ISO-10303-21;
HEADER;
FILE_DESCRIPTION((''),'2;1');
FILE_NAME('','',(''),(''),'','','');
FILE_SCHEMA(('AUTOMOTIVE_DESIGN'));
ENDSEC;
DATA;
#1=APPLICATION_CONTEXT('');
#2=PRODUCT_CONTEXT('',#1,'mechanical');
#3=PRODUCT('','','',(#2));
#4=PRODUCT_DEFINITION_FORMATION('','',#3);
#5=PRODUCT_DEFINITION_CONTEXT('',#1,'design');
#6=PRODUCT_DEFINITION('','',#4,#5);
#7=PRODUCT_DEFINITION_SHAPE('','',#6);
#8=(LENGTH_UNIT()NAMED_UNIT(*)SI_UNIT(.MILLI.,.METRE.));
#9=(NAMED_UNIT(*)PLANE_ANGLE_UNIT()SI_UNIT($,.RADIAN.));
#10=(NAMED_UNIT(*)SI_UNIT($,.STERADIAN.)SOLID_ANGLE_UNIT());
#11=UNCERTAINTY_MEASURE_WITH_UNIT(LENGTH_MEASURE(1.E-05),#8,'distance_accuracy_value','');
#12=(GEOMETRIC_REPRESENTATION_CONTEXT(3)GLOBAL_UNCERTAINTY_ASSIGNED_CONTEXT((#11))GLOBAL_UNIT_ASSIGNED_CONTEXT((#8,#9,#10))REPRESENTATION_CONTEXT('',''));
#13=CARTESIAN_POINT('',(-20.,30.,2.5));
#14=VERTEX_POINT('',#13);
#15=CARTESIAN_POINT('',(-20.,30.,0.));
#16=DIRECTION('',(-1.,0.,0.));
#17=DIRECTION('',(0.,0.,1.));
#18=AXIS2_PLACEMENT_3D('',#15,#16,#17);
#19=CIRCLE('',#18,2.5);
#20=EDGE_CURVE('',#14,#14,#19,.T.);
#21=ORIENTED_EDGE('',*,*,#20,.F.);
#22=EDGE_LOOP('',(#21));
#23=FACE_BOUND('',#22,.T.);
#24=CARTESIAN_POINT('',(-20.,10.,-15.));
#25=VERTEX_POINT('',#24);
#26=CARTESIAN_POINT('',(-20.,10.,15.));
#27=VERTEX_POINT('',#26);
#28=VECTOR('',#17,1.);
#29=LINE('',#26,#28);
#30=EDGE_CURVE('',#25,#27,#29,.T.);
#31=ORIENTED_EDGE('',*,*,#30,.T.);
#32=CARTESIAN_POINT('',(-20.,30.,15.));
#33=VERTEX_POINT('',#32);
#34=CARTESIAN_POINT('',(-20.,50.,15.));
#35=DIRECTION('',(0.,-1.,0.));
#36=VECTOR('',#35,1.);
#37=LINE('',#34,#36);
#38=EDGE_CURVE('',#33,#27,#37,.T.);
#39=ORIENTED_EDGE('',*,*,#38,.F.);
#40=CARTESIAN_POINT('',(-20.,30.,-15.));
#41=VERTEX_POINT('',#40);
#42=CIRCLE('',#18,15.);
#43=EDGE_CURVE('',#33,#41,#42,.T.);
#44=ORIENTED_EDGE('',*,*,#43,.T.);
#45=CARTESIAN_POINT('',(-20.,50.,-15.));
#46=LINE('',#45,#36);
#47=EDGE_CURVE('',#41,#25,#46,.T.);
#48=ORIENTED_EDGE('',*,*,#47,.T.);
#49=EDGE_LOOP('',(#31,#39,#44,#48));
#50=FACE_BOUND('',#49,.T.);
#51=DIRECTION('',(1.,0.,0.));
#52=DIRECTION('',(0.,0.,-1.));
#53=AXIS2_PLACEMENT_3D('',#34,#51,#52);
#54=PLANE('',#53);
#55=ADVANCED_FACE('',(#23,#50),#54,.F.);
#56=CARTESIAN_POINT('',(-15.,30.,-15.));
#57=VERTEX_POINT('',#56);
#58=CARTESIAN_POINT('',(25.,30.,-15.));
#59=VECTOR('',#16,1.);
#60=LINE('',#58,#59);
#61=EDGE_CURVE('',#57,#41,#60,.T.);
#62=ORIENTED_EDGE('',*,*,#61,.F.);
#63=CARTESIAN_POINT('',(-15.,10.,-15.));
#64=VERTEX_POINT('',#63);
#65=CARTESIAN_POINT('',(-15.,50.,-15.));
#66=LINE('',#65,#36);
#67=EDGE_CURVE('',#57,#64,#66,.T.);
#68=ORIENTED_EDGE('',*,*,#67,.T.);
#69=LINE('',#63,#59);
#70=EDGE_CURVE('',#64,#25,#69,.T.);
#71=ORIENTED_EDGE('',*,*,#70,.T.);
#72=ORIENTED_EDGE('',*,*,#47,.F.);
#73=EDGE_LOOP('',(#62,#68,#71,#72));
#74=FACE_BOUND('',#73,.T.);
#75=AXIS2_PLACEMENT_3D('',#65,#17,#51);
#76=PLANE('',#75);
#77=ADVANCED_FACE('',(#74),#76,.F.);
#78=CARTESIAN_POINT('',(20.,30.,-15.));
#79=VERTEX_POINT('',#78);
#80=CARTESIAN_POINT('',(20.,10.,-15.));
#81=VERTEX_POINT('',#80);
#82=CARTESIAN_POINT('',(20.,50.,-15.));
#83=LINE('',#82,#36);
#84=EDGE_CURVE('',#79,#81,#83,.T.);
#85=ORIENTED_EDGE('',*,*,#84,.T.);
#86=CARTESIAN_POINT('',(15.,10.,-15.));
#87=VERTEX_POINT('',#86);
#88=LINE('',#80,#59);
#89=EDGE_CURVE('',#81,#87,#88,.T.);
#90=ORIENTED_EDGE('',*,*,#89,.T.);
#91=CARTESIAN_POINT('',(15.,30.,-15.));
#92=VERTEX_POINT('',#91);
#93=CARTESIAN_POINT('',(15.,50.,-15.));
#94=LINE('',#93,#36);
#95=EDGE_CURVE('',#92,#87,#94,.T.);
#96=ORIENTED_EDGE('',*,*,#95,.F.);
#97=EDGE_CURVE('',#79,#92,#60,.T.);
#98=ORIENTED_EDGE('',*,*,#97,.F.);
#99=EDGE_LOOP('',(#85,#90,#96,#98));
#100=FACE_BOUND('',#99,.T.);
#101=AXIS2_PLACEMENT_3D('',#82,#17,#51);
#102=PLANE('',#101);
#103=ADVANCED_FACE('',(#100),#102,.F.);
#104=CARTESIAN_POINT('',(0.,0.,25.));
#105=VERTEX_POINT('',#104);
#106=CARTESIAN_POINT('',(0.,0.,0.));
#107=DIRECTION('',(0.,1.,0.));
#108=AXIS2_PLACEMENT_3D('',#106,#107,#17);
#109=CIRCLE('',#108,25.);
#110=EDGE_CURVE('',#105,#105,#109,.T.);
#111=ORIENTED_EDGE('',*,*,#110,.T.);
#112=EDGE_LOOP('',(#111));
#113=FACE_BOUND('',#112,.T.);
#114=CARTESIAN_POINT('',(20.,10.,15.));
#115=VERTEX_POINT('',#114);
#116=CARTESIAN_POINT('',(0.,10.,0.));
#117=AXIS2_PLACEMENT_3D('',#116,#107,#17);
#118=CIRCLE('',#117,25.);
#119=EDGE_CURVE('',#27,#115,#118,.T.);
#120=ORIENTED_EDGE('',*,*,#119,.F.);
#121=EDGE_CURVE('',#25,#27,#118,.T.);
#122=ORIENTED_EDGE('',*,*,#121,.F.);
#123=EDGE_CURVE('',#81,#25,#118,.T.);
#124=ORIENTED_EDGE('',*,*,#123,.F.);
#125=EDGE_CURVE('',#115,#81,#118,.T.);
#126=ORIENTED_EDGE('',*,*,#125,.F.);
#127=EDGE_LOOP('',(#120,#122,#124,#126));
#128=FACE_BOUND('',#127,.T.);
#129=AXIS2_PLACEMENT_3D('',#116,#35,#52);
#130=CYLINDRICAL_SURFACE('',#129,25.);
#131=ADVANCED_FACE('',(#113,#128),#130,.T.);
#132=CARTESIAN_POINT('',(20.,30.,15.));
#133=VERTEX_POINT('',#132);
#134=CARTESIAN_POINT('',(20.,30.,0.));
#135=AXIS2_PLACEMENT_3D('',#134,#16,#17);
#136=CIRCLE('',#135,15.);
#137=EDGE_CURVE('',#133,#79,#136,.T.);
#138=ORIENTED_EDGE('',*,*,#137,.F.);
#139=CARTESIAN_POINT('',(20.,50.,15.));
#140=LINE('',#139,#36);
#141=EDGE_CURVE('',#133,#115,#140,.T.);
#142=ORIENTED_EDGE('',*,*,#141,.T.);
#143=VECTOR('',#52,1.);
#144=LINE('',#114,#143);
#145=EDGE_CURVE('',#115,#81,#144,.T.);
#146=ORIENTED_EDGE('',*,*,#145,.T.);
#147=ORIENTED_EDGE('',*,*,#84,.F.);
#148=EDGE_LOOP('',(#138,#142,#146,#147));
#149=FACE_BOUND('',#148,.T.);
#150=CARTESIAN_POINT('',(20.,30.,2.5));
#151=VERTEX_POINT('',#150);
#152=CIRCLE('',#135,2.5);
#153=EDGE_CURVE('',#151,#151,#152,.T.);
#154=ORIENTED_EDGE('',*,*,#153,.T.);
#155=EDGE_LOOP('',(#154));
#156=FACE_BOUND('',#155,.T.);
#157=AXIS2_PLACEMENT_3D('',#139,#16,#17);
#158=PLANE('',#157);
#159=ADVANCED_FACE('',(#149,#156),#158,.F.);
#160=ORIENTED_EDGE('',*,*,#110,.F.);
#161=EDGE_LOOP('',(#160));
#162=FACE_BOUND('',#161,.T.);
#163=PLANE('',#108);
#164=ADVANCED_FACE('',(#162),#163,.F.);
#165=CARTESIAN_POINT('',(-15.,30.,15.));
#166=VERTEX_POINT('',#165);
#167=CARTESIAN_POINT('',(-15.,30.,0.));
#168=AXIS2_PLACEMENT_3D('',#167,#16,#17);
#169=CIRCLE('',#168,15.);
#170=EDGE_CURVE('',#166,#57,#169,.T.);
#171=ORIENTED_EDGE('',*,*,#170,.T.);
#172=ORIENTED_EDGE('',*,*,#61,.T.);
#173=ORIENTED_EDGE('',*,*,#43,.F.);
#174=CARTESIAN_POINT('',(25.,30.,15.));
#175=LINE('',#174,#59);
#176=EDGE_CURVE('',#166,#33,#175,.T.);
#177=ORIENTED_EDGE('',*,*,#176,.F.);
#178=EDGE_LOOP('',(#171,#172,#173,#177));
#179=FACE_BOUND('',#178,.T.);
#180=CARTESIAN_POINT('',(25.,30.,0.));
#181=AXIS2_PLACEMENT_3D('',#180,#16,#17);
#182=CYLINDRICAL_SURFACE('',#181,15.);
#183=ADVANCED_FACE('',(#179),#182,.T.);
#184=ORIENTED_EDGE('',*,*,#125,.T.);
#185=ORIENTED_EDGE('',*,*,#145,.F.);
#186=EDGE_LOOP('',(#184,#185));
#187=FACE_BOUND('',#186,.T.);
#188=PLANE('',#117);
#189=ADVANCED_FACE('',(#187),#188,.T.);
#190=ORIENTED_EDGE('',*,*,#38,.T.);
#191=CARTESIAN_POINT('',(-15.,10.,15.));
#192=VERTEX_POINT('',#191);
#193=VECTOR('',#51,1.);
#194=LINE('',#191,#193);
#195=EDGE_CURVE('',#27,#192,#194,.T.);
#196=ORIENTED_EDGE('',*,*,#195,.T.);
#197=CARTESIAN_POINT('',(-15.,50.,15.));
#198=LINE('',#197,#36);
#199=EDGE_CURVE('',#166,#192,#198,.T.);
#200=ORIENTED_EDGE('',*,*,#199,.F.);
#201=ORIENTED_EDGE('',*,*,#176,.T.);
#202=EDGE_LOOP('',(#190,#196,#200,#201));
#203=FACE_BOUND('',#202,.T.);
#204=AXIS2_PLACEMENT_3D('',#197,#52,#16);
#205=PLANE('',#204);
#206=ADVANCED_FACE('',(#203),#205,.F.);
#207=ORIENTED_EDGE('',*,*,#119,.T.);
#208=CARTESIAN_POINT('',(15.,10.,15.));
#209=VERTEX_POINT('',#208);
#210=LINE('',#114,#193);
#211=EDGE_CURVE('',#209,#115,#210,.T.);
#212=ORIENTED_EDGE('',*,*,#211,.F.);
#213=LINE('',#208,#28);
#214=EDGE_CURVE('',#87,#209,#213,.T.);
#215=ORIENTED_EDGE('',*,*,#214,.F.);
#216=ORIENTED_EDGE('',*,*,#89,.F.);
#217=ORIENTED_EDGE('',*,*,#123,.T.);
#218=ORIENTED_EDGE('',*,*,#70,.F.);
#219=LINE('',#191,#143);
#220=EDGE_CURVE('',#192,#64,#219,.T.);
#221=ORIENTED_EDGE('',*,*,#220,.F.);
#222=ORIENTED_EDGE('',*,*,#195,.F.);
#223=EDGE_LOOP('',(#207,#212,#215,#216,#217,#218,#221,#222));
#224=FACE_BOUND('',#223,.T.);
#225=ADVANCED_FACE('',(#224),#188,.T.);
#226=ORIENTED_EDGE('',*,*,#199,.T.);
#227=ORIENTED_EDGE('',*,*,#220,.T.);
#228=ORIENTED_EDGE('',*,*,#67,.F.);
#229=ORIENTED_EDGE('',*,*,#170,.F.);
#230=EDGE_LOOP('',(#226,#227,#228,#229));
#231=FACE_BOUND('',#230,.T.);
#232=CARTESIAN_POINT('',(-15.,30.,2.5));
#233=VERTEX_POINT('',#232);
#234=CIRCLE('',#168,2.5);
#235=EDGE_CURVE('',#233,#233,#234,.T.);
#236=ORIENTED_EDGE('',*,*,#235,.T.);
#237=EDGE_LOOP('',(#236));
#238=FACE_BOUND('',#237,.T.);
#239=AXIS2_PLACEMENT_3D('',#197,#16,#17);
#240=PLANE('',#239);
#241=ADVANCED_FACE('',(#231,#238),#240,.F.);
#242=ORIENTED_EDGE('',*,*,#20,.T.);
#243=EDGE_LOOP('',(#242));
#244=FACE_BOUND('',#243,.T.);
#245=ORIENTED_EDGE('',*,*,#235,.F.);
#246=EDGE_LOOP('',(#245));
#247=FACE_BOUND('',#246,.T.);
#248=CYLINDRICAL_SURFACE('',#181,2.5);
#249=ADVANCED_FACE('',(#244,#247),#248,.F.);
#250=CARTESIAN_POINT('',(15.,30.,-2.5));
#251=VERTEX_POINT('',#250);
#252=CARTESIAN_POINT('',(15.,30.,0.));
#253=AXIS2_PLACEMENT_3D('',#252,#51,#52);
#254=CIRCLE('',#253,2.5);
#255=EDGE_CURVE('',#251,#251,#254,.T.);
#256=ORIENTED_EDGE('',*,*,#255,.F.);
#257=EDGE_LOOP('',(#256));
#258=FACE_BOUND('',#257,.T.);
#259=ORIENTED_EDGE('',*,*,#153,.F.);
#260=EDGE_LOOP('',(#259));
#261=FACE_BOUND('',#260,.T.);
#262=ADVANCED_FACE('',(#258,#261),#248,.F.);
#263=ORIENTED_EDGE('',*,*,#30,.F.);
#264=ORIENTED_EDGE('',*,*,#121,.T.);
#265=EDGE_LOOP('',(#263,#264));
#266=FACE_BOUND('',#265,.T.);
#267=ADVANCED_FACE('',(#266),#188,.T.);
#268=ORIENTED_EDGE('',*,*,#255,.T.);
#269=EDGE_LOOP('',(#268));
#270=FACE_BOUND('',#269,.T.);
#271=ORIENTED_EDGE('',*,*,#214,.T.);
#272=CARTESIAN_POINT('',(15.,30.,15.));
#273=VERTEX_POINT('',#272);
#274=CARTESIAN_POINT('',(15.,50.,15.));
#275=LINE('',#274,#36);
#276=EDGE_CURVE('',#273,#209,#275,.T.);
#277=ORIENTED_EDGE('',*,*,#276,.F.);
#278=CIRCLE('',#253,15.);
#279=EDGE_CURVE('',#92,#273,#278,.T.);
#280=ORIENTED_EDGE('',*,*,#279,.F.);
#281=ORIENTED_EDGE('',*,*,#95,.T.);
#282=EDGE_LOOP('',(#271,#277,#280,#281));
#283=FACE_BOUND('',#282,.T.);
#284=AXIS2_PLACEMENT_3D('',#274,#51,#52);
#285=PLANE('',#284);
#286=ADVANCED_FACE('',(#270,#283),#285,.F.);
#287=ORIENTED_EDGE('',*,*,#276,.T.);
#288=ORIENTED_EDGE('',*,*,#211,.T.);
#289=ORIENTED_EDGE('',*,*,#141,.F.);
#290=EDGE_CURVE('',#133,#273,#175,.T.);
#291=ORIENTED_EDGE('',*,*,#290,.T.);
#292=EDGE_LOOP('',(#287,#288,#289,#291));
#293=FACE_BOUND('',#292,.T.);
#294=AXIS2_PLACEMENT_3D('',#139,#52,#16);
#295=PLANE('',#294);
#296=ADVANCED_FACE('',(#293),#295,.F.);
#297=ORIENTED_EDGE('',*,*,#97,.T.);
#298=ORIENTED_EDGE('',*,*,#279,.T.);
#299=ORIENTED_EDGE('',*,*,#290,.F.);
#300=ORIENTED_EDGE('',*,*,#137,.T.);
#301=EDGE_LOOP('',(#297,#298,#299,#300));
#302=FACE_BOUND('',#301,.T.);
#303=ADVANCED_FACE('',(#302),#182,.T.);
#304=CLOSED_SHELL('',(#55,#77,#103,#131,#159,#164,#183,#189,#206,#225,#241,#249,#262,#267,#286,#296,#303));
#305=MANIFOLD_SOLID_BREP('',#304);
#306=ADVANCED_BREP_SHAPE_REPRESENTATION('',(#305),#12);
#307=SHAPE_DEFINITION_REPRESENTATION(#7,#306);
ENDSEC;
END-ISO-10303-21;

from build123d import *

# Parameters (mm, degrees)
SKETCH1_R           = 25
BOSS_EXTRUDE1_DEPTH = 10
SKETCH2_W           = 5
SKETCH2_H           = 30
BOSS_EXTRUDE2_DEPTH = 40
SKETCH3_R           = 2.5
CUT_EXTRUDE1_DEPTH  = 72.763500472


with BuildPart() as part:
    # Sketch1 → Boss-Extrude1 (new body)
    with BuildSketch(Plane(origin=(0, 0, 0), x_dir=(1, 0, 0), z_dir=(0, 1, 0))):
        with Locations(Location((0, 0, 0), (0, 0, 270))):
            Circle(SKETCH1_R)
    extrude(amount=BOSS_EXTRUDE1_DEPTH)

    # Sketch2 → Boss-Extrude2 (add)
    with BuildSketch(Plane(origin=(0, 10, 0), x_dir=(1, 0, 0), z_dir=(0, 1, 0))):
        with Locations((17.5, 0)):
            Rectangle(SKETCH2_W, SKETCH2_H)
        with Locations((-17.5, 0)):
            Rectangle(SKETCH2_W, SKETCH2_H)
    extrude(amount=BOSS_EXTRUDE2_DEPTH)

    # Sketch3 → Cut-Extrude1 (cut, through all)
    with BuildSketch(Plane.ZY.offset(20)):
        with BuildLine():
            Line((-15, 50), (-15, 30))
            ThreePointArc((-15, 30), (0, 45), (15, 30))
            Line((15, 30), (15, 50))
            Line((15, 50), (-15, 50))
        make_face()
        with Locations((0, 30)):
            Circle(SKETCH3_R)
    extrude(amount=-CUT_EXTRUDE1_DEPTH, mode=Mode.SUBTRACT)


solid = part.part
